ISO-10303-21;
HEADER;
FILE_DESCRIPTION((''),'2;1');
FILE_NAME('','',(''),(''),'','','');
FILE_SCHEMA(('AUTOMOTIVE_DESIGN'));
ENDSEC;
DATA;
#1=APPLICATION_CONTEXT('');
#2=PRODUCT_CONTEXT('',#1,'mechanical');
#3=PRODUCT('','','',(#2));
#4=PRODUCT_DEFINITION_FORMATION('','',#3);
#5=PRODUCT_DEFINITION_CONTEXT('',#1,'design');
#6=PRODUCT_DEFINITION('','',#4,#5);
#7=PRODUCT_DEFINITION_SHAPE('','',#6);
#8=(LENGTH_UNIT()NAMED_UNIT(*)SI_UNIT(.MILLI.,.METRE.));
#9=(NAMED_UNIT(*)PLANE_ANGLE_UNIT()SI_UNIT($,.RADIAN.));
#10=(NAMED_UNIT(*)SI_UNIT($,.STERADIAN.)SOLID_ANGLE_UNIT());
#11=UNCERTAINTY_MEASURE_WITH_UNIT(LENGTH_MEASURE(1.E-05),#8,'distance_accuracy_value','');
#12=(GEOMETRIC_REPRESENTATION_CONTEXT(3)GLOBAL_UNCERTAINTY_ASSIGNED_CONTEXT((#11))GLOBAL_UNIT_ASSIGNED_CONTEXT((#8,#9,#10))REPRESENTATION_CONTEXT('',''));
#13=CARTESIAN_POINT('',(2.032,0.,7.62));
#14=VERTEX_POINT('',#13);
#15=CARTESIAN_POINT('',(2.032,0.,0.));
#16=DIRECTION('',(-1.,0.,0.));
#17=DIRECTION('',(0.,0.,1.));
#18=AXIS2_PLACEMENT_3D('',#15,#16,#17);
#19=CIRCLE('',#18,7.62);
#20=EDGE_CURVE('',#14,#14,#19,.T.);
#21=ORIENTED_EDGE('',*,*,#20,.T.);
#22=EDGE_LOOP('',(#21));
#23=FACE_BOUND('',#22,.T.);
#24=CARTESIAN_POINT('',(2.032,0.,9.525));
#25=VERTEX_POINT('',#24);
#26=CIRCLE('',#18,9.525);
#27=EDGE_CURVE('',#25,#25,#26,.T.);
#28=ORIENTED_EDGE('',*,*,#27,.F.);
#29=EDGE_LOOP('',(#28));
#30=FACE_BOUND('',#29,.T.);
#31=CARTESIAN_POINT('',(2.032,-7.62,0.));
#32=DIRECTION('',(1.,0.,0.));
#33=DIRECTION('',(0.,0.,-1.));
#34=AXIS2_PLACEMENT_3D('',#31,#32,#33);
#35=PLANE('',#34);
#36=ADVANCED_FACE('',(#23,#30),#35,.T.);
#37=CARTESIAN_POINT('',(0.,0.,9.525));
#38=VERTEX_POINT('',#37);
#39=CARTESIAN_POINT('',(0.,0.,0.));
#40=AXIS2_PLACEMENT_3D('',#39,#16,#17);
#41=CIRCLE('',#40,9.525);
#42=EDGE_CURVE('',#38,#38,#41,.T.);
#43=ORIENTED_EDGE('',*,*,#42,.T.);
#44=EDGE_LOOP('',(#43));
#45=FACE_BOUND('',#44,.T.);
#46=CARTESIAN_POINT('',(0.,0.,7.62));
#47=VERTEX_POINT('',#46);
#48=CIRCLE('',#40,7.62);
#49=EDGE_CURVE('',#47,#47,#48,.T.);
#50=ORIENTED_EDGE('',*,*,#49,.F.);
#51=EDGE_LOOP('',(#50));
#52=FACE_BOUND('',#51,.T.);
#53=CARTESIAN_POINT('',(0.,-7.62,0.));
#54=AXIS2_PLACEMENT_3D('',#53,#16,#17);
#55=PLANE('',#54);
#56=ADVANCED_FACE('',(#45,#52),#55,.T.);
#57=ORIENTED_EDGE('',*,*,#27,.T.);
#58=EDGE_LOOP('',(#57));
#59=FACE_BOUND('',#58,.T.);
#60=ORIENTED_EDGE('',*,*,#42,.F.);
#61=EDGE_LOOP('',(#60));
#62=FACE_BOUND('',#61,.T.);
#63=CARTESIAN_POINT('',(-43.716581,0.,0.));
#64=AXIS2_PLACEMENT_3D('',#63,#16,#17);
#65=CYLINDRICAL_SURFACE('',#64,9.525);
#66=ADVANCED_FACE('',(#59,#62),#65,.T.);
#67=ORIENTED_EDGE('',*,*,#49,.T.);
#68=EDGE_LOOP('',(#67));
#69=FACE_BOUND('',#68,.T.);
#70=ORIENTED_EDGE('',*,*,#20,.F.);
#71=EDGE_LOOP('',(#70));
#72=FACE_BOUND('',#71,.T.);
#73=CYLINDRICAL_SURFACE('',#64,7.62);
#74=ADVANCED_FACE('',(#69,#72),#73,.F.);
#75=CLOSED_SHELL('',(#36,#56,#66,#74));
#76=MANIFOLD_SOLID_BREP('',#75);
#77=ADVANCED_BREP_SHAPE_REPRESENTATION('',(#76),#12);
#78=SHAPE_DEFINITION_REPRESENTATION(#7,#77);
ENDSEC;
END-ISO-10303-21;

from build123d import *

# Parameters (mm, degrees)
SKETCH1_W = 2.032
SKETCH1_H = 1.905


with BuildPart() as part:
    # Sketch1 → Revolve1 (revolve)
    with BuildSketch(Plane.XY, mode=Mode.PRIVATE) as revolve1_sk:
        with Locations((1.016, -8.5725)):
            Rectangle(SKETCH1_W, SKETCH1_H)
    revolve(revolve1_sk.sketch.rotate(Axis((-43.716580756, 0, 0), (1, 0, 0)), 270), axis=Axis((-43.716580756, 0, 0), (1, 0, 0)))  # turned: the seam where the file's is


solid = part.part
